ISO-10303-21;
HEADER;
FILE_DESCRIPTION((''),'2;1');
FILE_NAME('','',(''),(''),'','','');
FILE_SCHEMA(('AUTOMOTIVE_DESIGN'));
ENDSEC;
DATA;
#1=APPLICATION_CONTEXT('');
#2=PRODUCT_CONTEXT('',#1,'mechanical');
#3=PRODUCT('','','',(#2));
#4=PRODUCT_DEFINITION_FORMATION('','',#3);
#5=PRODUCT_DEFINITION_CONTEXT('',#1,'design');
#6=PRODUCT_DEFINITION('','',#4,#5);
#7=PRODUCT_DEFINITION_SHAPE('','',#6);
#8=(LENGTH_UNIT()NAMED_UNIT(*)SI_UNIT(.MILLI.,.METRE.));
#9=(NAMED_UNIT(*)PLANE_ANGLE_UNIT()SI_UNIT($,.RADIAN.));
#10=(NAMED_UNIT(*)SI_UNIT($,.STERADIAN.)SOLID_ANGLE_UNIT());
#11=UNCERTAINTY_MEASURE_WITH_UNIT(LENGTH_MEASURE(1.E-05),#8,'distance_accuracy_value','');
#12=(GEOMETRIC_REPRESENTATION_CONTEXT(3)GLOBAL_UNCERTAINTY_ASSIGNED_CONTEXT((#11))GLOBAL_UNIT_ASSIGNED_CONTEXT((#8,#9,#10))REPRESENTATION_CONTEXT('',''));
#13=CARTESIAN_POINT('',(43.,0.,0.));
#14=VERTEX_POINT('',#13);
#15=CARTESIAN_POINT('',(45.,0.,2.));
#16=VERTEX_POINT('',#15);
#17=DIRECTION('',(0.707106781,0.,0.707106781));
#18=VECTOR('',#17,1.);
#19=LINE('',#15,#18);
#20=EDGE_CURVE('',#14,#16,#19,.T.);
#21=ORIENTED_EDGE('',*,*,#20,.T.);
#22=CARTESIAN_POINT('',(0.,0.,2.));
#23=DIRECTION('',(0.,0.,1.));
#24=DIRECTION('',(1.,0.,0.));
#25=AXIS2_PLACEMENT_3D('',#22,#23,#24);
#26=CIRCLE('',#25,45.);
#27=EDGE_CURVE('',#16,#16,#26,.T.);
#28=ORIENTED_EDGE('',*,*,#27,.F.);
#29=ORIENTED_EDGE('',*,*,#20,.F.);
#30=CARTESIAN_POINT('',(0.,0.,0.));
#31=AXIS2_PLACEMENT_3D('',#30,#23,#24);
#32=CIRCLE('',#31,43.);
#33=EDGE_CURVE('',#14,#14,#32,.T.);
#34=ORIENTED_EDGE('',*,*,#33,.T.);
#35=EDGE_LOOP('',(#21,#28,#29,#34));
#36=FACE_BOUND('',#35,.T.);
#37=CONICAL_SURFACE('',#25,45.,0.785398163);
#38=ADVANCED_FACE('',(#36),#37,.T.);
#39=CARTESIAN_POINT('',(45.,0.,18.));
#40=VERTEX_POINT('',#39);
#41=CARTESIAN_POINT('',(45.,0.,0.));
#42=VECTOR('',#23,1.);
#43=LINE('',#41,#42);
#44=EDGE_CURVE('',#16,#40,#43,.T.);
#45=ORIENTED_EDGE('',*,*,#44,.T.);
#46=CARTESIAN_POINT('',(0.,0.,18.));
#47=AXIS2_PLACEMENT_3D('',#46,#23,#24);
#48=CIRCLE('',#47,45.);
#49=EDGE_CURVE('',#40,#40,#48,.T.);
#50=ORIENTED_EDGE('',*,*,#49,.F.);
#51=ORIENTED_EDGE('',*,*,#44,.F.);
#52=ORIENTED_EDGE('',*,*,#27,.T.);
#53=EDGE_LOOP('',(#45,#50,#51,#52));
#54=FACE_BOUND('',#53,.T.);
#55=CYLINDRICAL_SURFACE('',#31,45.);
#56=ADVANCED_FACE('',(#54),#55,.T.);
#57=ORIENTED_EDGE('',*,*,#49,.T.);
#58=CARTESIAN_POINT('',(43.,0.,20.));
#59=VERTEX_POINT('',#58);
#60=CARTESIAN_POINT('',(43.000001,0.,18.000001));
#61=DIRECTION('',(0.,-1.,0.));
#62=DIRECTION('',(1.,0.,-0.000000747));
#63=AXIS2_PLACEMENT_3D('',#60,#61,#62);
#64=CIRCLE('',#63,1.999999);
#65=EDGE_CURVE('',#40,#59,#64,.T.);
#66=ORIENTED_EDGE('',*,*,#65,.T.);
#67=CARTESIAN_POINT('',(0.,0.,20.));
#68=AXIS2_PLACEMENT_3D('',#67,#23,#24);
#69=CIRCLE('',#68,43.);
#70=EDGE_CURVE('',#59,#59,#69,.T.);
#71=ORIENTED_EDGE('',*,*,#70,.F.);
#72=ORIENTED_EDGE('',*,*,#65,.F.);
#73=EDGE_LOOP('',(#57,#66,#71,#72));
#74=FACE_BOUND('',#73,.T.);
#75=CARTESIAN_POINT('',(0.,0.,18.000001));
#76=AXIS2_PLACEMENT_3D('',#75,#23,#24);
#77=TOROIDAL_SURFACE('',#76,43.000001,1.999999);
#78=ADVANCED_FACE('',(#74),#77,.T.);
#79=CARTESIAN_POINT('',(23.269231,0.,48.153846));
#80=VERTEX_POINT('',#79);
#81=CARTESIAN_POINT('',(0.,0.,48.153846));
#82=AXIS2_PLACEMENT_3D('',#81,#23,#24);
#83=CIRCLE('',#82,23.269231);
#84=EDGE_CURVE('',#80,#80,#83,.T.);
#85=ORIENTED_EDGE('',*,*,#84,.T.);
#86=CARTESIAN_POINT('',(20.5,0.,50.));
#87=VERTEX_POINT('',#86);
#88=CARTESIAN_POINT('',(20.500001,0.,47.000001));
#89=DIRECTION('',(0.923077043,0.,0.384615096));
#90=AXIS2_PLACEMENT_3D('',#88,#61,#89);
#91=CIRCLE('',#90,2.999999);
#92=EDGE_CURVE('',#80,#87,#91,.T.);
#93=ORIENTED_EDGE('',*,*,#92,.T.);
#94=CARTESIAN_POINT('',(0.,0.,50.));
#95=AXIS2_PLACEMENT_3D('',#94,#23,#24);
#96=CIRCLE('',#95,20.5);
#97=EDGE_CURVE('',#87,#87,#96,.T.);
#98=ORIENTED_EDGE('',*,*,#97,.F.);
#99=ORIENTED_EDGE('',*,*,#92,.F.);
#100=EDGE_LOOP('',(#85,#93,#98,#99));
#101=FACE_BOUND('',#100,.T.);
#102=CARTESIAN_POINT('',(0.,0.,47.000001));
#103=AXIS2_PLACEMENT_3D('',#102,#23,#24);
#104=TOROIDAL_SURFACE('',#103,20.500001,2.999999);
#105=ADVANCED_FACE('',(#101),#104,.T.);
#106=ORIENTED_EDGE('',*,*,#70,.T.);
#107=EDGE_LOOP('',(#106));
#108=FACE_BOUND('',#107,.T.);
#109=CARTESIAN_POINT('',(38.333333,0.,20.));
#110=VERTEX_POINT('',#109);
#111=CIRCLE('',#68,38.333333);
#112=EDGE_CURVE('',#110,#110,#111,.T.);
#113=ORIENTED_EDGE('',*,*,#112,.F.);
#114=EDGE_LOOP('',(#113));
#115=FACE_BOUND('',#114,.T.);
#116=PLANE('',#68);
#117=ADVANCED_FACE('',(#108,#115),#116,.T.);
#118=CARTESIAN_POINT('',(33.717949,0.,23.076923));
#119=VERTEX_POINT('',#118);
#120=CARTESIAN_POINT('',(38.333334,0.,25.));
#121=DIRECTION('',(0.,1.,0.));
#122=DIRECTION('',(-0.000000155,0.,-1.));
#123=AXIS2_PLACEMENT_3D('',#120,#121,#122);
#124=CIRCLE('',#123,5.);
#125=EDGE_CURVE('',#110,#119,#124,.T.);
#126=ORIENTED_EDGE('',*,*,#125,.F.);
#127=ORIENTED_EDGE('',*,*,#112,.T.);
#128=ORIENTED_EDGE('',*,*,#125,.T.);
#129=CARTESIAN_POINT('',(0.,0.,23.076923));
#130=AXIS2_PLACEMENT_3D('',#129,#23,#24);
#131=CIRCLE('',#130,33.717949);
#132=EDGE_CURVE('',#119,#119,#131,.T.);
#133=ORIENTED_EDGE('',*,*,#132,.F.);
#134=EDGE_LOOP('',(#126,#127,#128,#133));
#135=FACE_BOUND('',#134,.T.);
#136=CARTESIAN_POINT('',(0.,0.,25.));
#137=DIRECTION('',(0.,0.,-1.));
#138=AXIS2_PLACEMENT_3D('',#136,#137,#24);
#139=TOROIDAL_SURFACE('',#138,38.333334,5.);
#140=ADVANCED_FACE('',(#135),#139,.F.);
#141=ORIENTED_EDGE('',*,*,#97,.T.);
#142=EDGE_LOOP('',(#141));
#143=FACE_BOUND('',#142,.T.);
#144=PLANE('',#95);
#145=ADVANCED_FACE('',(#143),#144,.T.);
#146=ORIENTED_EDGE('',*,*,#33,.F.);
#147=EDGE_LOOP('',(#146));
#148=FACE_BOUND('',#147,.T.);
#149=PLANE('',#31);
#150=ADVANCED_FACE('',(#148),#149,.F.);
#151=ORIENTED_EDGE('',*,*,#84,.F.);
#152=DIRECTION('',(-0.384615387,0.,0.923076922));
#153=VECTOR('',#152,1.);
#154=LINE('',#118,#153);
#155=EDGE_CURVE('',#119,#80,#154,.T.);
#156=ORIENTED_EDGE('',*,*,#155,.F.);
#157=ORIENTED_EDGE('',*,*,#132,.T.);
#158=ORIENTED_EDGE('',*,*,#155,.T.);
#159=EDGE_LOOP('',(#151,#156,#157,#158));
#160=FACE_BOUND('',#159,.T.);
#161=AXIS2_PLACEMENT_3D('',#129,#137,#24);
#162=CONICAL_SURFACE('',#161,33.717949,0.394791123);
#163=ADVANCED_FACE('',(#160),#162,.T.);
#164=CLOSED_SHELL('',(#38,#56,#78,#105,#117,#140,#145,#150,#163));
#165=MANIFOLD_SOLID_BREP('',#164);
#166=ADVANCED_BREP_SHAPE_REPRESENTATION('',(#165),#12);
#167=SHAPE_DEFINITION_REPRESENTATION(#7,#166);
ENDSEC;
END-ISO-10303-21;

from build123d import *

# Parameters (mm, degrees)
F2_SIZE = 2


with BuildPart() as f1:
    # F0 (on Front) → F1 (revolve)
    with BuildSketch(Plane.XZ):
        with BuildLine():
            Line((20.5, 50), (0, 50))
            Line((0, 50), (0, 0))
            Line((0, 0), (45, 0))
            Line((45, 0), (45, 18))
            ThreePointArc((45, 18), (44.414214, 19.414214), (43, 20))
            Line((43, 20), (38.333333, 20))
            ThreePointArc((38.333333, 20), (35.559832, 20.839749), (33.717949, 23.076923))
            Line((33.717949, 23.076923), (23.269231, 48.153846))
            ThreePointArc((23.269231, 48.153846), (22.164101, 49.496151), (20.5, 50))
        make_face()
    revolve(axis=Axis((0, 0, 16.569998), (0, 0, 1)))

    # F2
    f2_edges = [f1.edges().sort_by_distance(p)[0] for p in [
        (-45, 0, 0),
    ]]
    chamfer(f2_edges, length=F2_SIZE)


solid = f1.part
